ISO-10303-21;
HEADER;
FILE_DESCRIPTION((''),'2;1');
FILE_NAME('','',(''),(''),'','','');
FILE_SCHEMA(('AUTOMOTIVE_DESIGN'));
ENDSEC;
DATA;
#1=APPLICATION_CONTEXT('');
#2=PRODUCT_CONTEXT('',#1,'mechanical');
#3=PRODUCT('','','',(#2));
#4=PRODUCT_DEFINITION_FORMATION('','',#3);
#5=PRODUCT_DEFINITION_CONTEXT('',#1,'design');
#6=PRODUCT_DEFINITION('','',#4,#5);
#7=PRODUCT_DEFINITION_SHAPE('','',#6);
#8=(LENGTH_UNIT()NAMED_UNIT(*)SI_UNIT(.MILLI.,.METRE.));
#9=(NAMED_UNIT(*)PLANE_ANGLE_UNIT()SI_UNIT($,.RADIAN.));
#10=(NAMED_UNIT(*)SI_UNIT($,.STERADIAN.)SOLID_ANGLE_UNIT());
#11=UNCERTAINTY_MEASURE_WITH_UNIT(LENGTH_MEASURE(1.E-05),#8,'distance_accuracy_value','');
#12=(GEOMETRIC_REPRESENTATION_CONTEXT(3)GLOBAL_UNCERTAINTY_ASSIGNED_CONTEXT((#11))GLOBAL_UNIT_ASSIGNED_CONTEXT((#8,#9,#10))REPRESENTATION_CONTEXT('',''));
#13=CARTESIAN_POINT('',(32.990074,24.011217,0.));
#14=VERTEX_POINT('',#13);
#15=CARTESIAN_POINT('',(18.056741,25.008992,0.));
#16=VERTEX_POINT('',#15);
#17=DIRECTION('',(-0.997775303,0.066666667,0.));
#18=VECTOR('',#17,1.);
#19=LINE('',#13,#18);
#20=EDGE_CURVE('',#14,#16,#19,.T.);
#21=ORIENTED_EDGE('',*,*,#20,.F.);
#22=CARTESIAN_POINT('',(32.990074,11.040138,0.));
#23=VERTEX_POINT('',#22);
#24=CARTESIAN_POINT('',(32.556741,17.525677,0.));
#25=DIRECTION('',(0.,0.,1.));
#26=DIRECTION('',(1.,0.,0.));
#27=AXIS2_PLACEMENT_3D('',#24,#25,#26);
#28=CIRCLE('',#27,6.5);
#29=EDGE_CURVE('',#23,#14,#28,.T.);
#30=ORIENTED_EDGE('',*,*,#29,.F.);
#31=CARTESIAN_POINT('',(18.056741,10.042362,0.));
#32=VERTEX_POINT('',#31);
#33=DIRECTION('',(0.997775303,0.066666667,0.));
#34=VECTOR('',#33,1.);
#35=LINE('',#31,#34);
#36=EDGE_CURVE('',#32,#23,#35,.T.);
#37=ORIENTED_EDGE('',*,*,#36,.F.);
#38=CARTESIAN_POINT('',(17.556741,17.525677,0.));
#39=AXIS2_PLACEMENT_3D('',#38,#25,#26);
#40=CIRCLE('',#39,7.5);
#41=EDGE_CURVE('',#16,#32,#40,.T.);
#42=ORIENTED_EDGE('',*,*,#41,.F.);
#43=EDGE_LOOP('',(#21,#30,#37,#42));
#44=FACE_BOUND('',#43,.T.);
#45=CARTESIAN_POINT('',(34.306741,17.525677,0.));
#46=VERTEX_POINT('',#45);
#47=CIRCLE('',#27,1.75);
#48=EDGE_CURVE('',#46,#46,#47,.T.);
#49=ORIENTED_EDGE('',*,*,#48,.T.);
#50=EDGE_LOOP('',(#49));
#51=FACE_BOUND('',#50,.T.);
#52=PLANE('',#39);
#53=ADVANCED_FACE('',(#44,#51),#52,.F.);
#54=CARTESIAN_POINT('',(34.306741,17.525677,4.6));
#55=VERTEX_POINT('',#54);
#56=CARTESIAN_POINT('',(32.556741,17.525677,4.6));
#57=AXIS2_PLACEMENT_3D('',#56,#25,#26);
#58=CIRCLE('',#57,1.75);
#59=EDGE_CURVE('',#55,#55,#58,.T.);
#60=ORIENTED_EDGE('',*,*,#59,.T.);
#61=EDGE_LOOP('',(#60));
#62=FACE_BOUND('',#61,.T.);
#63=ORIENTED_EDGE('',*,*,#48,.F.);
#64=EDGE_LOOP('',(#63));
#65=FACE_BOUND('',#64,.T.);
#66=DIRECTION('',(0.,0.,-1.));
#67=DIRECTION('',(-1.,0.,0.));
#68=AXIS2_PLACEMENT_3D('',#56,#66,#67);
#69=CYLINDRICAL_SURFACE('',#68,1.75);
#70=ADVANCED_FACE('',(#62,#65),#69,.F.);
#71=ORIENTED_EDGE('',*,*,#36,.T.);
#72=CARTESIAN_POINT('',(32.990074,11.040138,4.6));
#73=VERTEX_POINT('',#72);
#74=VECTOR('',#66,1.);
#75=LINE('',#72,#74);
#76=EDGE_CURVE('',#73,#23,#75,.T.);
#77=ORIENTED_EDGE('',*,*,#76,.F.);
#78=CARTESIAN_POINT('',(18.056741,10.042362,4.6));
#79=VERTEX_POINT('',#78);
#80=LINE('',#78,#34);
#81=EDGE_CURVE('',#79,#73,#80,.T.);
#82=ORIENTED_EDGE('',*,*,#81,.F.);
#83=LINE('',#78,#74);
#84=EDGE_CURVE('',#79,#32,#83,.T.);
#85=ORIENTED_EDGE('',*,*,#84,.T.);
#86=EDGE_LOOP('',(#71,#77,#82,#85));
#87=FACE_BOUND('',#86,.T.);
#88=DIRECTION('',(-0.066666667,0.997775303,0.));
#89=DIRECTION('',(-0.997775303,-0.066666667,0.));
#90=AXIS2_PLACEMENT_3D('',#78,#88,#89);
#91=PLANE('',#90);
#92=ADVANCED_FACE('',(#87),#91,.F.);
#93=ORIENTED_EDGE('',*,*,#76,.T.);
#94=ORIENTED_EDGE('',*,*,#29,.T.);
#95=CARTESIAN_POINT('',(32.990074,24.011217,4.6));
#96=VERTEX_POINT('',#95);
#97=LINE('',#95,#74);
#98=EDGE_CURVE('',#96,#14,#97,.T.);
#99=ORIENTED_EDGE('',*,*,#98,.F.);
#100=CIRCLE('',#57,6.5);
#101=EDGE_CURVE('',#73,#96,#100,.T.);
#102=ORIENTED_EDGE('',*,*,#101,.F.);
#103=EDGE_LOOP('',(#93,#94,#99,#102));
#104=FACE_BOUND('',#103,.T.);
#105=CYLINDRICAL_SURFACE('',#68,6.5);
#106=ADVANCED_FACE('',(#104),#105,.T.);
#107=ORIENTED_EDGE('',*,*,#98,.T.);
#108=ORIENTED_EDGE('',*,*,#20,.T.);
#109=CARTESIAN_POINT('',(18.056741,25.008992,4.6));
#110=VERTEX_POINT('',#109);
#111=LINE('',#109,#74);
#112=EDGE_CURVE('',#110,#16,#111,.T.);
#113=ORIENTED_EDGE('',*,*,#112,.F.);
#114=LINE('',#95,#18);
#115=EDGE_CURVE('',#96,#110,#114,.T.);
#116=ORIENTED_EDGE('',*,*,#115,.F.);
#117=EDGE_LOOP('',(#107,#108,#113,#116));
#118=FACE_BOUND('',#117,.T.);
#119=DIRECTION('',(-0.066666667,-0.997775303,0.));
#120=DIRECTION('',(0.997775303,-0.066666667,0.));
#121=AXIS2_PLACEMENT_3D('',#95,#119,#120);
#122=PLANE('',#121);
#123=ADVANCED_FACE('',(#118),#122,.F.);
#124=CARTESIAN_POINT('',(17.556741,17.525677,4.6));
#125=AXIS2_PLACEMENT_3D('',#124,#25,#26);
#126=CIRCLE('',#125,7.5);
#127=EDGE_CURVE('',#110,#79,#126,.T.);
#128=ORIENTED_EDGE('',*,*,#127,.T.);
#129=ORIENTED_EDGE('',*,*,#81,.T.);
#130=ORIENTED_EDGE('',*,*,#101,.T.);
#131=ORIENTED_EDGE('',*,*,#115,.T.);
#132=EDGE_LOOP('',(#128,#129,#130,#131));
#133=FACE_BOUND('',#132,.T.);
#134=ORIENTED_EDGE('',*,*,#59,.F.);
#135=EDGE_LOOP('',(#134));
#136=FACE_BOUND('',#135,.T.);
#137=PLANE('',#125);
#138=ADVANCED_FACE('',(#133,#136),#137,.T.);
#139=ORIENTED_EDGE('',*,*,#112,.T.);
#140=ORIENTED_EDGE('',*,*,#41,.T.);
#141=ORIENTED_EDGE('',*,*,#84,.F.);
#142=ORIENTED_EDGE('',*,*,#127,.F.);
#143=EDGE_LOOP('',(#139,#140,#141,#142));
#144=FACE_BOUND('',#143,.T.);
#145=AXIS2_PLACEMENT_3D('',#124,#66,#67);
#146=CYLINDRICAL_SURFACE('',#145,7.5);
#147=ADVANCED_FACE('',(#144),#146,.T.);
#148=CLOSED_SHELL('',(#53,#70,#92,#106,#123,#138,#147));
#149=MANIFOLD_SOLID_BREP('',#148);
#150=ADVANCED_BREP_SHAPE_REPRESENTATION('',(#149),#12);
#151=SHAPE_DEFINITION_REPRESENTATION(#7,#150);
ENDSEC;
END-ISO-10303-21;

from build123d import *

# Parameters (mm, degrees)
SKETCH1_R      = 1.75
EXTRUDE1_DEPTH = 4.6


with BuildPart() as part:
    # Sketch1 → Extrude1 (new body)
    with BuildSketch(Plane.XY):
        with BuildLine():
            Line((18.056741052, 10.042362485), (32.990074385, 11.040137788))
            ThreePointArc((32.990074385, 11.040137788), (39.056741052, 17.525677258), (32.990074385, 24.011216728))
            Line((32.990074385, 24.011216728), (18.056741052, 25.008992032))
            ThreePointArc((18.056741052, 25.008992032), (10.056741052, 17.525677258), (18.056741052, 10.042362485))
        make_face()
        with Locations((32.556741052, 17.525677258)):
            Circle(SKETCH1_R, mode=Mode.SUBTRACT)
    extrude(amount=EXTRUDE1_DEPTH)


solid = part.part
